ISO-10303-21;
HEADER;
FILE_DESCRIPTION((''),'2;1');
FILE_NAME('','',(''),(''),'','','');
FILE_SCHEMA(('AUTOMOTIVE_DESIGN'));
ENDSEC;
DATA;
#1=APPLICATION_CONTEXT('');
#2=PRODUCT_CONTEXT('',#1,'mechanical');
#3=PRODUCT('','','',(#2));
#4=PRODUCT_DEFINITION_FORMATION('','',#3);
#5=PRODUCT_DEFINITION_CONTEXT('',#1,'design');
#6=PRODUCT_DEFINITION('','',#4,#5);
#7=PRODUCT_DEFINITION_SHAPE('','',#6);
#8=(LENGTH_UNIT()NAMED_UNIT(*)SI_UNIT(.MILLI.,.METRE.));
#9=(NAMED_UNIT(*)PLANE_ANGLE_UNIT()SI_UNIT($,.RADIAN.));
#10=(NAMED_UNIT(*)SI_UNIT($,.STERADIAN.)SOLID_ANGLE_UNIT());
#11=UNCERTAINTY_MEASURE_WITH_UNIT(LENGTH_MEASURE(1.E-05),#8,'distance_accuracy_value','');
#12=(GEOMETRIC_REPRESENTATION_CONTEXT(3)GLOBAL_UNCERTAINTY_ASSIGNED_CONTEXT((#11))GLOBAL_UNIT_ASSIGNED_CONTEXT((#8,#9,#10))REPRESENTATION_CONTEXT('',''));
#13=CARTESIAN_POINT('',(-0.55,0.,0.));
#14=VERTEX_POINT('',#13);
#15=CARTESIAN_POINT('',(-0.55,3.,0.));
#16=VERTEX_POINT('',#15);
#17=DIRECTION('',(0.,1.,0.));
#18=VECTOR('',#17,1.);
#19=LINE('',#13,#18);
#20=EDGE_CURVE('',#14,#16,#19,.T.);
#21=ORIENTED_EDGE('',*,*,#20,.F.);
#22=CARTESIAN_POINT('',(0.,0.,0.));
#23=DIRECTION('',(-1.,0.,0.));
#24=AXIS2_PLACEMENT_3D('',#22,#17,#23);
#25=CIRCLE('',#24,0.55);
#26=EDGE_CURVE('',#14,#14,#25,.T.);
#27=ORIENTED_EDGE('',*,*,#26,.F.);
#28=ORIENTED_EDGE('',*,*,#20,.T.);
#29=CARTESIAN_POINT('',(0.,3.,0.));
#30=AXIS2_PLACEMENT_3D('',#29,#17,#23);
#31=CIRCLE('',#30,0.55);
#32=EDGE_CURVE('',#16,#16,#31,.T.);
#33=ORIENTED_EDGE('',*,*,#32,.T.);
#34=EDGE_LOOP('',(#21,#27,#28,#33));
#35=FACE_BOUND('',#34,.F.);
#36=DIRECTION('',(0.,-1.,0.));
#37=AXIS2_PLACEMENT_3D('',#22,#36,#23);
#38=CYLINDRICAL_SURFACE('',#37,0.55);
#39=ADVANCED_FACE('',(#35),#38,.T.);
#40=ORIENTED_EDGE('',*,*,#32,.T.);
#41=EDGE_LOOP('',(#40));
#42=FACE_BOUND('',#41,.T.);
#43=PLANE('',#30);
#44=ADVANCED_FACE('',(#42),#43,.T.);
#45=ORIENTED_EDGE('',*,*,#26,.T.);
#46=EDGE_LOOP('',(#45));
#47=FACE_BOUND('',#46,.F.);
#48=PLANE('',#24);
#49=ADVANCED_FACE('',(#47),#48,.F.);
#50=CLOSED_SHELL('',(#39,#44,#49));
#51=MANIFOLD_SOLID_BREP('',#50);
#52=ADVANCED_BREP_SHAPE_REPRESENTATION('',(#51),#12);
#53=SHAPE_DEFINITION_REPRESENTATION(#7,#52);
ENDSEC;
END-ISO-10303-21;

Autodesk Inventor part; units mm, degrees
ref_plane "YZ Plane" through (0, 0, 0) normal (1, 0, 0) x (0, 1, 0)
ref_plane "XZ Plane" through (0, 0, 0) normal (0, 1, 0) x (-1, 0, 0)
ref_plane "XY Plane" through (0, 0, 0) normal (0, 0, 1) x (1, 0, 0)
sketch "Sketch1" plane through (0, 0, 0) normal (0, 1, 0) x (-1, 0, 0)
  circle A0 centre (0, 0) radius 0.55
  dimension "d0" = 1.1
extrude "Extrusion1" add sketch "Sketch1" along normal blind 3
properties part number "pin"
